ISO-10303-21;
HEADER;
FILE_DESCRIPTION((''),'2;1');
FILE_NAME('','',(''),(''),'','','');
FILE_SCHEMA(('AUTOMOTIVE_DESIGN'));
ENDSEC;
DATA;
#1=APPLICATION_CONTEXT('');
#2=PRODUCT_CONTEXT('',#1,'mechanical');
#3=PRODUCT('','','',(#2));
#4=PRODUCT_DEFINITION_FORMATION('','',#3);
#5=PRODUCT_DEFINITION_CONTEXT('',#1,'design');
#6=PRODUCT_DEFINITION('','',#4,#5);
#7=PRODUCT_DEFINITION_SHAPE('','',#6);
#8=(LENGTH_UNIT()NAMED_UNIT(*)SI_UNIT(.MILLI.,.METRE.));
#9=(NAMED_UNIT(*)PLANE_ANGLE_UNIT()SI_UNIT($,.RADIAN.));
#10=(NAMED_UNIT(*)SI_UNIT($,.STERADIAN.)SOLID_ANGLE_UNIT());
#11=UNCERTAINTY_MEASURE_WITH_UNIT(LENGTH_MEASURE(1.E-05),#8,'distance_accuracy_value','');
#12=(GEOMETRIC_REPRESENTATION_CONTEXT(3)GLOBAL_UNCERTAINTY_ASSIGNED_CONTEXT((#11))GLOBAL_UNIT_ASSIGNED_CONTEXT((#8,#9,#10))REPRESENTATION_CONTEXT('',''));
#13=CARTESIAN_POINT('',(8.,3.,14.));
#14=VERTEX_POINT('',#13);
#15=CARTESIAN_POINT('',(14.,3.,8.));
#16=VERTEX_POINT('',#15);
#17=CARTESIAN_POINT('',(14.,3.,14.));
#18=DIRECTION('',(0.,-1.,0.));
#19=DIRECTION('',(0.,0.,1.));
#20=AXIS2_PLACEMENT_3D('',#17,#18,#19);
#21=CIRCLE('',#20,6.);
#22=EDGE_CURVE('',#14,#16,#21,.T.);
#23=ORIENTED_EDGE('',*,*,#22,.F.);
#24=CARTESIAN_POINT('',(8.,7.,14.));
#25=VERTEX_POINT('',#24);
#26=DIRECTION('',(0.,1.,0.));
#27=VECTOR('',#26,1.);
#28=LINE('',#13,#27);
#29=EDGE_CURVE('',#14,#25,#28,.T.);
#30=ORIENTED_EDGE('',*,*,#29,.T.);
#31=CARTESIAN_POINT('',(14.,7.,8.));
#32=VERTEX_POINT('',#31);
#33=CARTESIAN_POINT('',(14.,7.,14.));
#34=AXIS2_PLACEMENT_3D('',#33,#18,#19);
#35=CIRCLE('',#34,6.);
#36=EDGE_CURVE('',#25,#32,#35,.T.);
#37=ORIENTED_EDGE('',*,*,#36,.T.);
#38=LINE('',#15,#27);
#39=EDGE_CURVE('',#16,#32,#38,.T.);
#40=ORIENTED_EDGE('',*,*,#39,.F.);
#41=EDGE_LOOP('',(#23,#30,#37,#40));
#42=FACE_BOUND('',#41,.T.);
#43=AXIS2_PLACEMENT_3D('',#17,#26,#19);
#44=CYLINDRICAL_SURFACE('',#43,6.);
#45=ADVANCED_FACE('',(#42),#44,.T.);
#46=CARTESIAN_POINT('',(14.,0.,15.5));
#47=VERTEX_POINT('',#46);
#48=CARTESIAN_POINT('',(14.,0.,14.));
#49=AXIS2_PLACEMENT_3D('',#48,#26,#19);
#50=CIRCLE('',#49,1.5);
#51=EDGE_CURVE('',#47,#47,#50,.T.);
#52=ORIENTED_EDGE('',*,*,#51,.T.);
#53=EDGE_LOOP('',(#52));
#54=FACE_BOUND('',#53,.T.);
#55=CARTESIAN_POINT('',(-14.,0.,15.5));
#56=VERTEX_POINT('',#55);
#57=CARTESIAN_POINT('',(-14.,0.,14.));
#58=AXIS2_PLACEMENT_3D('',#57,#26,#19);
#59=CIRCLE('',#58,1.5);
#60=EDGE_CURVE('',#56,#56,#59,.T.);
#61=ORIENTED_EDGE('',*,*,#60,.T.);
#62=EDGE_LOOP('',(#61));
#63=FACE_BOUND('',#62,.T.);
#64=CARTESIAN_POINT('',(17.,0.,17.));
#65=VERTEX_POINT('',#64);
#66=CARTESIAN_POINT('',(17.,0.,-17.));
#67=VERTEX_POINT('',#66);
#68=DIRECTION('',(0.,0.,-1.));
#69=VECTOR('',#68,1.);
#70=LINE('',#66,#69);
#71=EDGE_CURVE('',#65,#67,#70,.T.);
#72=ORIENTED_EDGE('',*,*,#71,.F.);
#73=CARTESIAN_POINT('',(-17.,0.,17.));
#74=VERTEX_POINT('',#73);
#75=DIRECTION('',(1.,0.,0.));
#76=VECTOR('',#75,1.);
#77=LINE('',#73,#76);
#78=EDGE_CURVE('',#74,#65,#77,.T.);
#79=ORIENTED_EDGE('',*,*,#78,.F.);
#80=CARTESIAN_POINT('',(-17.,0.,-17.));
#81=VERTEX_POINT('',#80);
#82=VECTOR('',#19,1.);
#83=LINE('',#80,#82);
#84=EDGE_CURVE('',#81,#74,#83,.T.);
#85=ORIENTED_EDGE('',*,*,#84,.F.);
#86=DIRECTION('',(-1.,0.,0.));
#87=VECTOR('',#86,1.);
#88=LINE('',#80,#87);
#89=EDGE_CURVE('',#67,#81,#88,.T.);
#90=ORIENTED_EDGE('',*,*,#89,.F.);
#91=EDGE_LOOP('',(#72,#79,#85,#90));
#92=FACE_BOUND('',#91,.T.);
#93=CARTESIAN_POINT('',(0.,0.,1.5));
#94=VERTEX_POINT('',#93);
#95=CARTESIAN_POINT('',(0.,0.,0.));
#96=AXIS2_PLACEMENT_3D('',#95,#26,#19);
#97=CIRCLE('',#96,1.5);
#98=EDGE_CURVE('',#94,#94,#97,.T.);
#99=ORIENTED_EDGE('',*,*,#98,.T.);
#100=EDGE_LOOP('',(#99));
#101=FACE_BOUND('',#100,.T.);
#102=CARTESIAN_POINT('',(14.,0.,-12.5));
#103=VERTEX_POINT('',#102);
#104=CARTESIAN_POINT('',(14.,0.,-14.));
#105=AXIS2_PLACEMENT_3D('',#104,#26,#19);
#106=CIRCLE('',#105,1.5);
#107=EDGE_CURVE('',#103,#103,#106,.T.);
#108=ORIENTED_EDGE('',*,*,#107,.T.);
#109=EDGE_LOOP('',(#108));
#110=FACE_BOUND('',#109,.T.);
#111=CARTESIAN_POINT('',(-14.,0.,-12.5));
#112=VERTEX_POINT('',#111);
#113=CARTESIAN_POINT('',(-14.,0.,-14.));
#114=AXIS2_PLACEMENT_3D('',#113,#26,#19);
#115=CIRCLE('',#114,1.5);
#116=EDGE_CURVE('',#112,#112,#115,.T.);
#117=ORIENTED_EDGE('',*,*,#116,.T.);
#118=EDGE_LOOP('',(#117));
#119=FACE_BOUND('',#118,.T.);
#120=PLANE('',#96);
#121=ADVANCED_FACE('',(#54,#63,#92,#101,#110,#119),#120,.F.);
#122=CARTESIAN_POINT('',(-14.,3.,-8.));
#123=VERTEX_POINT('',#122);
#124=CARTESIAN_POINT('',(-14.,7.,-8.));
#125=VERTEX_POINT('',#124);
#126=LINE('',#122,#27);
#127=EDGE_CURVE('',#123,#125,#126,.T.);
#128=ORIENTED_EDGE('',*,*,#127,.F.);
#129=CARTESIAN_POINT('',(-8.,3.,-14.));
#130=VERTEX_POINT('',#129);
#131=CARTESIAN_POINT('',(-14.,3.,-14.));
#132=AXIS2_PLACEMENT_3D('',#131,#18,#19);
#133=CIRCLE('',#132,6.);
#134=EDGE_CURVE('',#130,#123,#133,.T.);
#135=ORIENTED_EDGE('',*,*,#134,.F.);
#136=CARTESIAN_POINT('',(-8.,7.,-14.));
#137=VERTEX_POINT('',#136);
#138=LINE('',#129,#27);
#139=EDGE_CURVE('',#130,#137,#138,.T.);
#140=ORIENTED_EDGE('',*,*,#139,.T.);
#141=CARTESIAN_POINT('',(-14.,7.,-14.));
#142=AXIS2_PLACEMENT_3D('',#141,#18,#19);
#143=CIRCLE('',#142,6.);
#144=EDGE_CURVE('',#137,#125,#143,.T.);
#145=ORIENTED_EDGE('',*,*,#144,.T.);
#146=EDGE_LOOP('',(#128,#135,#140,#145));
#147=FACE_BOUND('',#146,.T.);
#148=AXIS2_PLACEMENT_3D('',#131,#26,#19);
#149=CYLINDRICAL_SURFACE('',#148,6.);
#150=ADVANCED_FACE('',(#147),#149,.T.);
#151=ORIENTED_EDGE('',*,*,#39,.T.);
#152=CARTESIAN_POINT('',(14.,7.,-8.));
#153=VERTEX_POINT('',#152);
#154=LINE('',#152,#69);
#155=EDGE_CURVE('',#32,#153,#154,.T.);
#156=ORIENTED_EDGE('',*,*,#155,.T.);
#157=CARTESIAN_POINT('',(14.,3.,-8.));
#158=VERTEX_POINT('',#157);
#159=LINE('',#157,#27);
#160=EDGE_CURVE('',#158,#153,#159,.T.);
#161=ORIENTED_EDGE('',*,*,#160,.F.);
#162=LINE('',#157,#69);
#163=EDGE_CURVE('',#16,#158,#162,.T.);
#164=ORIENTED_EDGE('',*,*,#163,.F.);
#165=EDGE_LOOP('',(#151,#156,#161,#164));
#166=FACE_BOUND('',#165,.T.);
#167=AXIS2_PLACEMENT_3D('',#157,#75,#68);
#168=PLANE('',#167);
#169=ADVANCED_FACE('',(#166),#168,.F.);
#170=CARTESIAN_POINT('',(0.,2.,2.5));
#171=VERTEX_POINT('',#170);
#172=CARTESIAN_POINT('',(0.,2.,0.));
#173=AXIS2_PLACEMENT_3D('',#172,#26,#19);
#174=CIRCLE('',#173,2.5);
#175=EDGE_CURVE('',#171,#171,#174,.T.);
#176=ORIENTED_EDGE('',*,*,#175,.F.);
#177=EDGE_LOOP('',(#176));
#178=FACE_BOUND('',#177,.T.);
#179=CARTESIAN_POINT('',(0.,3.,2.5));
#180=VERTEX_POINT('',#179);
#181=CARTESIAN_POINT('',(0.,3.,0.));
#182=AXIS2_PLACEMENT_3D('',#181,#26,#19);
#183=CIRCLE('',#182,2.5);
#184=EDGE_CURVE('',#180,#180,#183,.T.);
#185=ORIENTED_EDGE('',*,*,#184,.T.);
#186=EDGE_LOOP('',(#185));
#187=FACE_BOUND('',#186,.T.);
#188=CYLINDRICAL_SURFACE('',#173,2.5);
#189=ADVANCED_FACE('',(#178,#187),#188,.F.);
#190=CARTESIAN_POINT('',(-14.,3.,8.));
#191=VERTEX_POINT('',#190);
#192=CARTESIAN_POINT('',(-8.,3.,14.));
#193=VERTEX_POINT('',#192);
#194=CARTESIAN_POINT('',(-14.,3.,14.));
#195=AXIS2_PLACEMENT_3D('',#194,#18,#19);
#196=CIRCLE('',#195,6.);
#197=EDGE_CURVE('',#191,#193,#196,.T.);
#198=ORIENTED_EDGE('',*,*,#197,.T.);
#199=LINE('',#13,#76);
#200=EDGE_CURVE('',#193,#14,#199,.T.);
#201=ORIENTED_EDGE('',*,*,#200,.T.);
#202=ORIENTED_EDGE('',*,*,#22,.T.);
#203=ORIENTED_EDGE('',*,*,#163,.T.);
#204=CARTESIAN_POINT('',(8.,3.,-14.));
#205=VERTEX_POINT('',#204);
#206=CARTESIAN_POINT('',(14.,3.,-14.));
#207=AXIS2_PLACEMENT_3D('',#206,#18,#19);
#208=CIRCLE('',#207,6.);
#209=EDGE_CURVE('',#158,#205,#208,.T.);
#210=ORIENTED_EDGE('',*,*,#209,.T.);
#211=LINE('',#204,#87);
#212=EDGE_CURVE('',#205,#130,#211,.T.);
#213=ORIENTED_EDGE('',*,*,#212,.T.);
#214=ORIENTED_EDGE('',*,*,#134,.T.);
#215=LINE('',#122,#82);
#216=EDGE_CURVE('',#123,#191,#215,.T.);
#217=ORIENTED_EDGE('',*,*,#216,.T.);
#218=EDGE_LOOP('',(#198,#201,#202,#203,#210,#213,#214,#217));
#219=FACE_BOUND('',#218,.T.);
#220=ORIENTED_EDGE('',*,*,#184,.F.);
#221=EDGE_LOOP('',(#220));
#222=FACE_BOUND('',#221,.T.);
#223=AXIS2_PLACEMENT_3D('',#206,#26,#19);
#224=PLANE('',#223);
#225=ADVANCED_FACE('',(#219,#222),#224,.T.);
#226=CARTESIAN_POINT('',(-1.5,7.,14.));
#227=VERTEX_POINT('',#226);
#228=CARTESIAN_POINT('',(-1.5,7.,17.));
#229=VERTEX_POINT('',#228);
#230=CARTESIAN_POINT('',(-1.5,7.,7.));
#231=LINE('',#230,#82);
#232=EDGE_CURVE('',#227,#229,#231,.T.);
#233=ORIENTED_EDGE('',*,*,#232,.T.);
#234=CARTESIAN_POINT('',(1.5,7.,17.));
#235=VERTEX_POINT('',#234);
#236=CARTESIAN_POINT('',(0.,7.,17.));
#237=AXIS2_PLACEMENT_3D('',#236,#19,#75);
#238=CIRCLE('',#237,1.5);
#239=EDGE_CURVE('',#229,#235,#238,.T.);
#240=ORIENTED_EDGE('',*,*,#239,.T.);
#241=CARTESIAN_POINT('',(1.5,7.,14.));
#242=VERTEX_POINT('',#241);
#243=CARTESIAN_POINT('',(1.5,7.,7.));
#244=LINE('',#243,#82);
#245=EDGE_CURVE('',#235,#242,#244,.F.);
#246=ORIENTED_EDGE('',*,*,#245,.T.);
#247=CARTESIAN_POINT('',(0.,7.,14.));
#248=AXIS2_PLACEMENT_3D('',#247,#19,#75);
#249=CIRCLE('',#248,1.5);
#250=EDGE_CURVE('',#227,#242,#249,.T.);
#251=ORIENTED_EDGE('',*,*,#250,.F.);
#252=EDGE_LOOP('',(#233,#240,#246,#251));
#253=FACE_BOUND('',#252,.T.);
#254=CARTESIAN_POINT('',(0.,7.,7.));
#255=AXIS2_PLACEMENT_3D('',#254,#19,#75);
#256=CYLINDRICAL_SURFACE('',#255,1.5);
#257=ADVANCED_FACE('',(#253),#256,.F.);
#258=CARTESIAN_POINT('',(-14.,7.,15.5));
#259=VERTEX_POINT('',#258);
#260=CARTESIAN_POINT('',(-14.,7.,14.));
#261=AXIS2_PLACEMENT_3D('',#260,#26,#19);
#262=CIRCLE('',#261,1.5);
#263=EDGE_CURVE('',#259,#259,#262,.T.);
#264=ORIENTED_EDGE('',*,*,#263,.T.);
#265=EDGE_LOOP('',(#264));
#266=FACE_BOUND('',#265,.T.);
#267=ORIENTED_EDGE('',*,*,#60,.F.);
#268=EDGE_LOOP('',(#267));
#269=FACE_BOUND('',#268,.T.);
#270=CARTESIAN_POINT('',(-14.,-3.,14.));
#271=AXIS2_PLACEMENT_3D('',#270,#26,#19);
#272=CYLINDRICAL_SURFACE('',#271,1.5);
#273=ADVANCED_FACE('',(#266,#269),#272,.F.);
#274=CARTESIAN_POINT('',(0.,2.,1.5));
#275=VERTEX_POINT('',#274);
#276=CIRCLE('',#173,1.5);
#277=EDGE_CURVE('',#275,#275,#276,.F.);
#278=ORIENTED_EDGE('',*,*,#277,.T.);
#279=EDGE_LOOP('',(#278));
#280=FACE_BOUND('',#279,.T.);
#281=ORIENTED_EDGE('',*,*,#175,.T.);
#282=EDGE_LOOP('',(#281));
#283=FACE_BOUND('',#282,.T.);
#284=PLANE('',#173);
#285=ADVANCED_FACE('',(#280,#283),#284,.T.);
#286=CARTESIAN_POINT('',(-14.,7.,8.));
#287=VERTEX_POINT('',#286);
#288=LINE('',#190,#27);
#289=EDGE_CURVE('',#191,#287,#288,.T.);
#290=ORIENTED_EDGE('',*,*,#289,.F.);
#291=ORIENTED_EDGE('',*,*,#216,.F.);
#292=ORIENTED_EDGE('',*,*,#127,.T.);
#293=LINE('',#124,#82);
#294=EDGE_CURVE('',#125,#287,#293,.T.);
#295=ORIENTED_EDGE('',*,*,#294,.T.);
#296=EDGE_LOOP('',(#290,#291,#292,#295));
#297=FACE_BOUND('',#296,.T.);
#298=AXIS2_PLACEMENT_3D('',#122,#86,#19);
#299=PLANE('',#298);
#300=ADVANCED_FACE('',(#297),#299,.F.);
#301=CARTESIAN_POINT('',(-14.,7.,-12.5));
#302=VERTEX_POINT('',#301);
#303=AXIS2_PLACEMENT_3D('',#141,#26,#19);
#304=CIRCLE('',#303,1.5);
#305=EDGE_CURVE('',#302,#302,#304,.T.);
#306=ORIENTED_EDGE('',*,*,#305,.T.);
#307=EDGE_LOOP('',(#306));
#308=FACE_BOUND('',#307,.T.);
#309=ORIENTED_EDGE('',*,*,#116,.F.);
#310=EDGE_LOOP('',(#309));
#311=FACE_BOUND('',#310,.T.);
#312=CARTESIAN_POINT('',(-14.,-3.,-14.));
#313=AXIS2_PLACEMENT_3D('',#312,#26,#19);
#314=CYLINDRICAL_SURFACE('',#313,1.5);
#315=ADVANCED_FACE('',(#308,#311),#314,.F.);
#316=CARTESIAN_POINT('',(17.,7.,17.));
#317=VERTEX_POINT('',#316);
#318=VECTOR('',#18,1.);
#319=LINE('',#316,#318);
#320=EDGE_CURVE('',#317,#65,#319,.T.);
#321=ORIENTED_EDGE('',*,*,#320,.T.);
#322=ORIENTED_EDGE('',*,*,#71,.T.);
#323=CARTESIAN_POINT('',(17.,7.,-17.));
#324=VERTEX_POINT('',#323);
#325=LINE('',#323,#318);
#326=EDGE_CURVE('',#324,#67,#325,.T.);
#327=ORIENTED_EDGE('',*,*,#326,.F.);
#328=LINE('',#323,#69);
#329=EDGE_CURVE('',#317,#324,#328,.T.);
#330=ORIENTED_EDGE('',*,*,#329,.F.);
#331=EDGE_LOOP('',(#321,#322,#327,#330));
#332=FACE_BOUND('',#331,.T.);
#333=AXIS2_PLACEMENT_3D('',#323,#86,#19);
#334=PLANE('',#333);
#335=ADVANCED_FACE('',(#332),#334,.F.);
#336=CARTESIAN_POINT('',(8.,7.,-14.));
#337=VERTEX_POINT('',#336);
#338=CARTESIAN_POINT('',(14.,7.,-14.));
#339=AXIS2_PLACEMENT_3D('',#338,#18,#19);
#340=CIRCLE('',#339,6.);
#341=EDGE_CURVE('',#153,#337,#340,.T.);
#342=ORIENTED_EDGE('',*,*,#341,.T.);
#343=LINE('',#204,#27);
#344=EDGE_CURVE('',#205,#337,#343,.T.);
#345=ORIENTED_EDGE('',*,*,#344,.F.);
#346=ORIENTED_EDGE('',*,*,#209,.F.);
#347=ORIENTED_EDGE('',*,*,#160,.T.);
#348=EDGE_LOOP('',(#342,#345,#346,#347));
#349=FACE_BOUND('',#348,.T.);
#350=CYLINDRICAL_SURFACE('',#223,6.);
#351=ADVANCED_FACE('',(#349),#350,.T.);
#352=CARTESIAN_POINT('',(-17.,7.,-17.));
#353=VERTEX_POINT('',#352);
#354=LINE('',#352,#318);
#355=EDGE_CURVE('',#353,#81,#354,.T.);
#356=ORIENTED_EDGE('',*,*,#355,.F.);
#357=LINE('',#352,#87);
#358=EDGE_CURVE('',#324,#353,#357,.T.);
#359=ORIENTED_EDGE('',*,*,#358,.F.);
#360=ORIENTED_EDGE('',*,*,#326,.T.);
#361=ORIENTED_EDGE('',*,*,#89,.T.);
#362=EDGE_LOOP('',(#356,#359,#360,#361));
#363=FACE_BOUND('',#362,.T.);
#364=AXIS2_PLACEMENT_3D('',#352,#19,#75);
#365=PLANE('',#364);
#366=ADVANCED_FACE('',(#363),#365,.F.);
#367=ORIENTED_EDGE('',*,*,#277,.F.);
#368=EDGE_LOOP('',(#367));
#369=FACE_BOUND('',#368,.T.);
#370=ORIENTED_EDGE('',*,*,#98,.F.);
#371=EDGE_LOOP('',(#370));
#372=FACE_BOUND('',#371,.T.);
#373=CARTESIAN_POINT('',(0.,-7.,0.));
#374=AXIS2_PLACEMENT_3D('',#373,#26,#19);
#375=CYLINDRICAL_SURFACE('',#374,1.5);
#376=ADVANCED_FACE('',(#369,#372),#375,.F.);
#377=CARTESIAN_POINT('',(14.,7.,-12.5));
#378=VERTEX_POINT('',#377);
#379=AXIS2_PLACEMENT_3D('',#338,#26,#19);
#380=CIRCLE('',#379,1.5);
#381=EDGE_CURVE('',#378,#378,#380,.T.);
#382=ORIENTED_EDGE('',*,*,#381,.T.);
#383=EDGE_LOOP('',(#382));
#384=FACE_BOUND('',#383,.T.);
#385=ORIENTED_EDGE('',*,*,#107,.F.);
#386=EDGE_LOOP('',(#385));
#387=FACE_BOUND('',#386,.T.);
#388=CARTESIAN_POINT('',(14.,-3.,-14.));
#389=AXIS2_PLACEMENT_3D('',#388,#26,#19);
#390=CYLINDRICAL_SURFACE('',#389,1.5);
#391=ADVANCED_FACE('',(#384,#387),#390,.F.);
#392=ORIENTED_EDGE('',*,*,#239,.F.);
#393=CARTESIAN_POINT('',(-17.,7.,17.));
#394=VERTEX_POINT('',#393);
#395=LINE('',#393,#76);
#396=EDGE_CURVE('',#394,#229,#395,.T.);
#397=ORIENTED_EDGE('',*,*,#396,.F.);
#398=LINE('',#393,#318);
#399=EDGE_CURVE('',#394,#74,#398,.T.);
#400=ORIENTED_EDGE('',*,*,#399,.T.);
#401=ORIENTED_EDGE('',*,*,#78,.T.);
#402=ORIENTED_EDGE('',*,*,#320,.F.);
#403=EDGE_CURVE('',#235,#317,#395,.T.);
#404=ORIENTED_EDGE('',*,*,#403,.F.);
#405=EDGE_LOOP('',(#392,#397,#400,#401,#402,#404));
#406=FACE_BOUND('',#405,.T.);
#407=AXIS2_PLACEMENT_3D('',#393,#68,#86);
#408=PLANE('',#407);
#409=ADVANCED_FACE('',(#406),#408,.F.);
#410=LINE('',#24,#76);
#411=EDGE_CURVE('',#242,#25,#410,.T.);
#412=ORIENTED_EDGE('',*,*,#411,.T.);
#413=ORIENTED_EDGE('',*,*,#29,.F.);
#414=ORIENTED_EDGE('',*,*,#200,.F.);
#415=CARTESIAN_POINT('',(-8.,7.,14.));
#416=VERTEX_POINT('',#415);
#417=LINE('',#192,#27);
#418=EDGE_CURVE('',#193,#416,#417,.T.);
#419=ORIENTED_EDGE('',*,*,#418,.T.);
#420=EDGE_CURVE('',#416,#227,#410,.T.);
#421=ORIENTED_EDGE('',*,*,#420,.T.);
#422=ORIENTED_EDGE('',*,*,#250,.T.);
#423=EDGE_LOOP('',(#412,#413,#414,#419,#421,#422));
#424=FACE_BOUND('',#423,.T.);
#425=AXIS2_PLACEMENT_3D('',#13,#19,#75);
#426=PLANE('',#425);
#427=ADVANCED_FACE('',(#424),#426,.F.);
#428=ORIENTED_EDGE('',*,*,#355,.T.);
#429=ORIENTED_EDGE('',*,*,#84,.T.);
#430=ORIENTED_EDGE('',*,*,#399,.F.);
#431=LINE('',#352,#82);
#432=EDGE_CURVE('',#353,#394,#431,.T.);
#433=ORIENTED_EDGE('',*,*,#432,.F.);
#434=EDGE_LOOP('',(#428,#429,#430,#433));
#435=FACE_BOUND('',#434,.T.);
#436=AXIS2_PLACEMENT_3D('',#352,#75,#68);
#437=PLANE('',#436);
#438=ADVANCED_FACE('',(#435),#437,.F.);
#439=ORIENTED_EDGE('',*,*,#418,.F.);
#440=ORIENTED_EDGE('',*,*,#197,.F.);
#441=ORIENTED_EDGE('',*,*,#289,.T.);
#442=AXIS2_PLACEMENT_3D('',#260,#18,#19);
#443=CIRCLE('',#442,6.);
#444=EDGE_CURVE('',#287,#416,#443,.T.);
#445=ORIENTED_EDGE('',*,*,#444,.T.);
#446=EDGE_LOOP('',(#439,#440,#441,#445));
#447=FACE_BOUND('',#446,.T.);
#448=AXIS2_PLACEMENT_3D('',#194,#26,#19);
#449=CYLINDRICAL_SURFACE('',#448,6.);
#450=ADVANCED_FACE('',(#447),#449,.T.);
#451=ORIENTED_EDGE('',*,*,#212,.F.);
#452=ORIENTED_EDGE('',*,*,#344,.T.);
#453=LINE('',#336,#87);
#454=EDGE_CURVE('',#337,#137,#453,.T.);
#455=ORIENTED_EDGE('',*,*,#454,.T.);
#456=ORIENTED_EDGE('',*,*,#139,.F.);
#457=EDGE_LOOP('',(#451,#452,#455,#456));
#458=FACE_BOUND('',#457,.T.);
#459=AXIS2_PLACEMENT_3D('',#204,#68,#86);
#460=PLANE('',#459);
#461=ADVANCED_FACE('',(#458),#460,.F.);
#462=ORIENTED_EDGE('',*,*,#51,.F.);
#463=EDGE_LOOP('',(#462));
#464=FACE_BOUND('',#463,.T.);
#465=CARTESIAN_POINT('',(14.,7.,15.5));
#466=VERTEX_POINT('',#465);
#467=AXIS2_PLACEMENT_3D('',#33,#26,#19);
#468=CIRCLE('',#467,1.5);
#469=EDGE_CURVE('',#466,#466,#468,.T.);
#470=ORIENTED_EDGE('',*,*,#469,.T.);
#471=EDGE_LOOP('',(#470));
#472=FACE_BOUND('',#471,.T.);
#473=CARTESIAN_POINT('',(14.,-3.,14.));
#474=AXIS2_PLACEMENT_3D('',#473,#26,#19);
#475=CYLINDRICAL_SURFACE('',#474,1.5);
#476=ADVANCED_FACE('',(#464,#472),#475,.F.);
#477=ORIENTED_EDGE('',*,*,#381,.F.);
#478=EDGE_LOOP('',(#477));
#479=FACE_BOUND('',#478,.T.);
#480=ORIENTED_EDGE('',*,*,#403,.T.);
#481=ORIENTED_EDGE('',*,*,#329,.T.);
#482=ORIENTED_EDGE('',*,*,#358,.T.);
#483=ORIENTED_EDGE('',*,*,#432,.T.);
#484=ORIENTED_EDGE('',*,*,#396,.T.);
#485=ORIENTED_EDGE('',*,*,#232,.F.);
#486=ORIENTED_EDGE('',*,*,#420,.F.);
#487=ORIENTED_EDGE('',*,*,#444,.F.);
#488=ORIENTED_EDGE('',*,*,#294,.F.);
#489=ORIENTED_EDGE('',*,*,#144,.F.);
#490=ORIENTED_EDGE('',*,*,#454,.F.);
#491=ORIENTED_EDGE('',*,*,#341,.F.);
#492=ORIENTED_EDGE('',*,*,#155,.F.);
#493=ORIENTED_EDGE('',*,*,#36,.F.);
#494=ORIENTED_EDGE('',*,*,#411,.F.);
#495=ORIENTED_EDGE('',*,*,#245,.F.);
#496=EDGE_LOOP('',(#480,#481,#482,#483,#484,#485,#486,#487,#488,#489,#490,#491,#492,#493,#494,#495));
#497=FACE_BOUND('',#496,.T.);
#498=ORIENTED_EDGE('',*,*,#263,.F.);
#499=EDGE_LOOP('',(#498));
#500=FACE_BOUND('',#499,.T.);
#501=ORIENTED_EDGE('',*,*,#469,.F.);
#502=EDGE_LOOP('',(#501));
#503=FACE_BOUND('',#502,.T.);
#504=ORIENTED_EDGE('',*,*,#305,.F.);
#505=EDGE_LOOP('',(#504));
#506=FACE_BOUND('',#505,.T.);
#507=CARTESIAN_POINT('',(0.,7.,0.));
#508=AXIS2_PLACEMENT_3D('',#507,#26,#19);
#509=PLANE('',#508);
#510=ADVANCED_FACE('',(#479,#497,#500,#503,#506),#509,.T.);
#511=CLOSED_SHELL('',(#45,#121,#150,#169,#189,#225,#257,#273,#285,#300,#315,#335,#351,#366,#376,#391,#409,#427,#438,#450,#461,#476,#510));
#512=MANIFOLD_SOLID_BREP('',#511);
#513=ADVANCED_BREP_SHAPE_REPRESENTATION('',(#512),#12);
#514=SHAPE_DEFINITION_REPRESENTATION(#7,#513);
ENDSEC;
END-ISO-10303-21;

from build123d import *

# Parameters (mm, degrees)
SKETCH1_W           = 34
SKETCH1_H           = 34
BOSS_EXTRUDE1_DEPTH = 7
CUT_EXTRUDE1_DEPTH  = 4
SKETCH3_R           = 1.5
CUT_EXTRUDE2_DEPTH  = 10
SKETCH4_R           = 1.5
CUT_EXTRUDE3_DEPTH  = 10
SKETCH5_R           = 1.5
CUT_EXTRUDE4_DEPTH  = 10
SKETCH6_R           = 2.5
CUT_EXTRUDE5_DEPTH  = 1


with BuildPart() as part:
    # Sketch1 → Boss-Extrude1 (new body)
    with BuildSketch(Plane(origin=(0, 0, 0), x_dir=(1, 0, 0), z_dir=(0, 1, 0))):
        Rectangle(SKETCH1_W, SKETCH1_H)
    extrude(amount=BOSS_EXTRUDE1_DEPTH)

    # Sketch2 → Cut-Extrude1 (cut)
    with BuildSketch(Plane(origin=(0, 7, 0), x_dir=(1, 0, 0), z_dir=(0, 1, 0))):
        with BuildLine():
            Line((8, 14), (-8, 14))
            ThreePointArc((-8, 14), (-9.757359313, 9.757359313), (-14, 8))
            Line((-14, 8), (-14, -8))
            ThreePointArc((-14, -8), (-9.757359313, -9.757359313), (-8, -14))
            Line((-8, -14), (8, -14))
            ThreePointArc((8, -14), (9.757359313, -9.757359313), (14, -8))
            Line((14, -8), (14, 8))
            ThreePointArc((14, 8), (9.757359313, 9.757359313), (8, 14))
        make_face()
    extrude(amount=-CUT_EXTRUDE1_DEPTH, mode=Mode.SUBTRACT)

    # Sketch3 → Cut-Extrude2 (cut)
    with BuildSketch(Plane.XY.offset(17)):
        with Locations((0, 7)):
            Circle(SKETCH3_R)
    extrude(amount=-CUT_EXTRUDE2_DEPTH, mode=Mode.SUBTRACT)

    # Sketch4 → Cut-Extrude3 (cut)
    with BuildSketch(Plane(origin=(0, 7, 0), x_dir=(1, 0, 0), z_dir=(0, 1, 0))):
        with Locations(Location((-14, 14, 0), (0, 0, 270))):
            Circle(SKETCH4_R)
        with Locations(Location((14, 14, 0), (0, 0, 270))):
            Circle(SKETCH4_R)
        with Locations(Location((14, -14, 0), (0, 0, 270))):
            Circle(SKETCH4_R)
        with Locations(Location((-14, -14, 0), (0, 0, 270))):
            Circle(SKETCH4_R)
    extrude(amount=-CUT_EXTRUDE3_DEPTH, mode=Mode.SUBTRACT)

    # Sketch5 → Cut-Extrude4 (cut)
    with BuildSketch(Plane(origin=(0, 3, 0), x_dir=(1, 0, 0), z_dir=(0, 1, 0))):
        with Locations(Location((0, 0, 0), (0, 0, 270))):
            Circle(SKETCH5_R)
    extrude(amount=-CUT_EXTRUDE4_DEPTH, mode=Mode.SUBTRACT)

    # Sketch6 → Cut-Extrude5 (cut)
    with BuildSketch(Plane(origin=(0, 3, 0), x_dir=(1, 0, 0), z_dir=(0, 1, 0))):
        with Locations(Location((0, 0, 0), (0, 0, 270))):
            Circle(SKETCH6_R)
    extrude(amount=-CUT_EXTRUDE5_DEPTH, mode=Mode.SUBTRACT)


solid = part.part
